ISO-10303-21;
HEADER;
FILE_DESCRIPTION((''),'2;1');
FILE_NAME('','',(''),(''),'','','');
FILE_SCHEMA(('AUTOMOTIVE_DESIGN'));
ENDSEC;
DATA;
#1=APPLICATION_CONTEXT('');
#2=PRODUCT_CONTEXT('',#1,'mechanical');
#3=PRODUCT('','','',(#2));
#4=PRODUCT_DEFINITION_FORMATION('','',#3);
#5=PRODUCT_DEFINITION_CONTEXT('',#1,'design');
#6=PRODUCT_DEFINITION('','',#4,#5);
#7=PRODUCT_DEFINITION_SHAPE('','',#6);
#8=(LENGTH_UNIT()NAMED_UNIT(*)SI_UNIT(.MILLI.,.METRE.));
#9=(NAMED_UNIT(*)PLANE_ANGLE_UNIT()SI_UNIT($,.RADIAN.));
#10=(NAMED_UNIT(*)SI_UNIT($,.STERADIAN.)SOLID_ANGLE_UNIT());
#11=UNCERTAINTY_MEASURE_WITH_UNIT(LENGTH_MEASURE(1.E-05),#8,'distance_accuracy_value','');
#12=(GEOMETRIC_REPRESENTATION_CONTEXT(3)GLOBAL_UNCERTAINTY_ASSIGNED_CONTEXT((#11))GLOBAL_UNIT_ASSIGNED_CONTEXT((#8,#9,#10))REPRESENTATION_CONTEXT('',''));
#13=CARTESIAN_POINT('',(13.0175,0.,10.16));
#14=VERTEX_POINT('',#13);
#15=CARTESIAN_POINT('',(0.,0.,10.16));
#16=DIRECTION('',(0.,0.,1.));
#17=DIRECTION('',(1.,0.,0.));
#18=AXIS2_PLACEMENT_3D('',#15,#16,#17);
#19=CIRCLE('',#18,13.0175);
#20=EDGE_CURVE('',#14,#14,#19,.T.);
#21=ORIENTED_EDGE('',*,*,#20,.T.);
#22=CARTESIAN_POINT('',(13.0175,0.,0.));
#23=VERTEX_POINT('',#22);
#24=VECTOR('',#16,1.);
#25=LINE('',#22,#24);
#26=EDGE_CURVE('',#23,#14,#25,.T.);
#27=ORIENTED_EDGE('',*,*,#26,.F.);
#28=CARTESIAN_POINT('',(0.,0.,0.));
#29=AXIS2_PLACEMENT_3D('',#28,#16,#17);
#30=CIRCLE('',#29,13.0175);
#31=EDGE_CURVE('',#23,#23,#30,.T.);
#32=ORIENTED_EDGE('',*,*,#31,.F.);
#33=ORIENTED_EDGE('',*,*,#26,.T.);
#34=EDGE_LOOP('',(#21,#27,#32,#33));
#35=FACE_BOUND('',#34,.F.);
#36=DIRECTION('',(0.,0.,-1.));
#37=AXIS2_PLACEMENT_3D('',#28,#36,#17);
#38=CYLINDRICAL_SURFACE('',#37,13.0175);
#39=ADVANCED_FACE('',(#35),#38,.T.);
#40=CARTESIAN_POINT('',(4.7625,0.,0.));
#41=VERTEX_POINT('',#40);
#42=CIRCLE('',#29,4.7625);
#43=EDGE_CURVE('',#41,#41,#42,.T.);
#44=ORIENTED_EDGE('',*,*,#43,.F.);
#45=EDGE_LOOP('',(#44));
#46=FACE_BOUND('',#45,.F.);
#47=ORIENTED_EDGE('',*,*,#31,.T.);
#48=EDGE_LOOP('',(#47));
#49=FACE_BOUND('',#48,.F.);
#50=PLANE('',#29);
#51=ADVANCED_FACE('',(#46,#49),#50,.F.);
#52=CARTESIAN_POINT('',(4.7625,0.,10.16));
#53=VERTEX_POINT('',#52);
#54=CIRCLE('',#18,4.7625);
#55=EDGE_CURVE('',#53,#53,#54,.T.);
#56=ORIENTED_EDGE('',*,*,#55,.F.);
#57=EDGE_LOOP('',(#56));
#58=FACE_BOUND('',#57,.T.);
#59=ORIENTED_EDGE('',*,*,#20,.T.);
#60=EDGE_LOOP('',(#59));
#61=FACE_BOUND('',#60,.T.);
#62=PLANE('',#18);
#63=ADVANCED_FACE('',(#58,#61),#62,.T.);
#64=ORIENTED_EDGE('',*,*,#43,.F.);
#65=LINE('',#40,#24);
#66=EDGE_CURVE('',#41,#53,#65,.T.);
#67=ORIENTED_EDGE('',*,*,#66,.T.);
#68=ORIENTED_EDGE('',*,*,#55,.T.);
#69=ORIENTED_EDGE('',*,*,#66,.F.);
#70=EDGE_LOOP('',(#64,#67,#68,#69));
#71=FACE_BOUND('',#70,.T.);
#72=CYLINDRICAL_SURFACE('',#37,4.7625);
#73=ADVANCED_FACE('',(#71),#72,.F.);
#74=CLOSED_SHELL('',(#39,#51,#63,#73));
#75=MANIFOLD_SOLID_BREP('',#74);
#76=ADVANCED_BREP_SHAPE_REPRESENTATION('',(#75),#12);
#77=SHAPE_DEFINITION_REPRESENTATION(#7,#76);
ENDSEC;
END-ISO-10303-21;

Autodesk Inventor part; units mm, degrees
sketch "Sketch1" plane through (0, 0, 0) normal (0, 0, 1) x (1, 0, 0)
  circle A0 centre (0, 0) radius 13.0175
  circle A1 centre (0, 0) radius 4.7625
  dimension "d0" = 26.035
  dimension "d1" = 9.525
extrude "Extrusion1" add sketch "Sketch1" along normal blind 10.16
ref_plane "Work Plane1" through (0, 0, 5.08) normal (0, 0, 1) x (1, 0, 0)
ref_plane "Work Plane2" through (0, 0, 0) normal (0, 1, 0) x (0, 0, 1)
ref_plane "Work Plane3" through (0, 0, 0) normal (1, 0, 0) x (0, 0, 1)
properties part number "Small Bearing"
